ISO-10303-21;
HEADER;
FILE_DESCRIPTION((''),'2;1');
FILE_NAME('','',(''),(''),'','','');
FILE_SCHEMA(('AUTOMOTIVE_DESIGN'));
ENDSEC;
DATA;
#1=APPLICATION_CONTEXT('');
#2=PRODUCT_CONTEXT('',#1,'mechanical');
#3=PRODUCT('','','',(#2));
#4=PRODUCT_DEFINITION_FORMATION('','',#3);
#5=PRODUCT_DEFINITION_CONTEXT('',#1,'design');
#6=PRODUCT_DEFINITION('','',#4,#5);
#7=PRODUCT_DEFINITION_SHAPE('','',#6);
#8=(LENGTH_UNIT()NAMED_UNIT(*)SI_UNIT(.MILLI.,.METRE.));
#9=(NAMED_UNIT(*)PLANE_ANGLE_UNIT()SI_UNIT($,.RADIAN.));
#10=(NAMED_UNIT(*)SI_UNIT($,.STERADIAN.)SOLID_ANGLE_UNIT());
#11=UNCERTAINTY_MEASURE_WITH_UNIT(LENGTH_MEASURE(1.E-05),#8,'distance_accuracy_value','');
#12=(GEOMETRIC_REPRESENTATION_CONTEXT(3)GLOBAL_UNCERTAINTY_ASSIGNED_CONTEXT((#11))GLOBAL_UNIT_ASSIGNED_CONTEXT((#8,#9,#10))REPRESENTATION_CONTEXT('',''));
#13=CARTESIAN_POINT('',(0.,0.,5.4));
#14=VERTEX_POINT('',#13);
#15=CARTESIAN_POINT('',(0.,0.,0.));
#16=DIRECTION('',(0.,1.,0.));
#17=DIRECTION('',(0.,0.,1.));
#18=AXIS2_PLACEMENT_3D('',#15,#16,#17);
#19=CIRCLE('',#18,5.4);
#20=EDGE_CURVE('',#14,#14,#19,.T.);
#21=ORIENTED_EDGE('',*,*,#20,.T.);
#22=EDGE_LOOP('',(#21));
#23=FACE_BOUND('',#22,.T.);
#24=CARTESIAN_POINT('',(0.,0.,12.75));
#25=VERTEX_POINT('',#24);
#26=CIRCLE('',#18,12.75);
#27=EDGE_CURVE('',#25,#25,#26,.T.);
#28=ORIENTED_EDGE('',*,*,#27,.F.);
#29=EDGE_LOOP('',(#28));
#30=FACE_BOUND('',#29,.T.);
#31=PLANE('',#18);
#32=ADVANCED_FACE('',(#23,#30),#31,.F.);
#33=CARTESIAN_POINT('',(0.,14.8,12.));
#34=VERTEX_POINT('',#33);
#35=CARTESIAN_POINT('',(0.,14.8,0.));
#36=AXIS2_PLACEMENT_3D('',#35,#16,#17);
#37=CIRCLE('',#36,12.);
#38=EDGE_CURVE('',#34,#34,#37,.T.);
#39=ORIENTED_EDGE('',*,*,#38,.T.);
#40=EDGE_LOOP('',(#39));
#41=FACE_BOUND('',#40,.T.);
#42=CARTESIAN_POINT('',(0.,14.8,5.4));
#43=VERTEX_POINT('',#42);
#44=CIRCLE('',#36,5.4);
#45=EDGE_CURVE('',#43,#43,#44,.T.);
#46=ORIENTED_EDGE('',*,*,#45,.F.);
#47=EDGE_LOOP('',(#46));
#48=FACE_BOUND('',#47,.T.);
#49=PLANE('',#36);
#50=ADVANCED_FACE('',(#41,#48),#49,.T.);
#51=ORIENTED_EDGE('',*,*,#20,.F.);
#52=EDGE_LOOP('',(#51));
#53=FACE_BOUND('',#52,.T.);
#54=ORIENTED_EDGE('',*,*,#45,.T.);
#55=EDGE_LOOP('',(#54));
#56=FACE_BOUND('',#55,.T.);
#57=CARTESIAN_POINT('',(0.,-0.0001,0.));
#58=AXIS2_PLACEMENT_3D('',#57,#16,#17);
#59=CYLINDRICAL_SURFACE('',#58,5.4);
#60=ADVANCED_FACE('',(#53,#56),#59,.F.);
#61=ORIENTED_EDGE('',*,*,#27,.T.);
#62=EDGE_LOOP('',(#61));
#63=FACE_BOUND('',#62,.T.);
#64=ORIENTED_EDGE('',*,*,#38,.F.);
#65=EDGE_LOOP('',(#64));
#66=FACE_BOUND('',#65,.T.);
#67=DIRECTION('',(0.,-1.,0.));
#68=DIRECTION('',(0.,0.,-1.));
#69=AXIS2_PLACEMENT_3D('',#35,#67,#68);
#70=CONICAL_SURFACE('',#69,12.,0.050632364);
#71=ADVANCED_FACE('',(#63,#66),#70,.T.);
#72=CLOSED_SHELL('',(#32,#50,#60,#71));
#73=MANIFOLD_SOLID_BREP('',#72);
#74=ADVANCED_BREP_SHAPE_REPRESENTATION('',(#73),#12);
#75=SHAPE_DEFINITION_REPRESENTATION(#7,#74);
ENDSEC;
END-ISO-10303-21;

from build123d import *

# Parameters (mm, degrees)
SKETCH_3_R          = 12
SKETCH_1_R          = 12.75
SKETCH_4_R          = 5.4
CUT_EXTRUDE_1_DEPTH = 24.327344642


with BuildPart() as part:
    # 草图3 → 放样1 section 0
    with BuildSketch(Plane(origin=(0, 14.8, 0), x_dir=(1, 0, 0), z_dir=(0, 1, 0))):
        Circle(SKETCH_3_R)
    # 草图1 → 放样1 section 1
    with BuildSketch(Plane(origin=(0, 0, 0), x_dir=(1, 0, 0), z_dir=(0, 1, 0))):
        Circle(SKETCH_1_R)
    loft()

    # 草图4 → 切除-拉伸1 (cut, through all)
    with BuildSketch(Plane(origin=(0, 14.8, 0), x_dir=(1, 0, 0), z_dir=(0, 1, 0))):
        with Locations(Location((0, 0, 0), (0, 0, 270))):
            Circle(SKETCH_4_R)
    extrude(amount=-CUT_EXTRUDE_1_DEPTH, mode=Mode.SUBTRACT)


solid = part.part
